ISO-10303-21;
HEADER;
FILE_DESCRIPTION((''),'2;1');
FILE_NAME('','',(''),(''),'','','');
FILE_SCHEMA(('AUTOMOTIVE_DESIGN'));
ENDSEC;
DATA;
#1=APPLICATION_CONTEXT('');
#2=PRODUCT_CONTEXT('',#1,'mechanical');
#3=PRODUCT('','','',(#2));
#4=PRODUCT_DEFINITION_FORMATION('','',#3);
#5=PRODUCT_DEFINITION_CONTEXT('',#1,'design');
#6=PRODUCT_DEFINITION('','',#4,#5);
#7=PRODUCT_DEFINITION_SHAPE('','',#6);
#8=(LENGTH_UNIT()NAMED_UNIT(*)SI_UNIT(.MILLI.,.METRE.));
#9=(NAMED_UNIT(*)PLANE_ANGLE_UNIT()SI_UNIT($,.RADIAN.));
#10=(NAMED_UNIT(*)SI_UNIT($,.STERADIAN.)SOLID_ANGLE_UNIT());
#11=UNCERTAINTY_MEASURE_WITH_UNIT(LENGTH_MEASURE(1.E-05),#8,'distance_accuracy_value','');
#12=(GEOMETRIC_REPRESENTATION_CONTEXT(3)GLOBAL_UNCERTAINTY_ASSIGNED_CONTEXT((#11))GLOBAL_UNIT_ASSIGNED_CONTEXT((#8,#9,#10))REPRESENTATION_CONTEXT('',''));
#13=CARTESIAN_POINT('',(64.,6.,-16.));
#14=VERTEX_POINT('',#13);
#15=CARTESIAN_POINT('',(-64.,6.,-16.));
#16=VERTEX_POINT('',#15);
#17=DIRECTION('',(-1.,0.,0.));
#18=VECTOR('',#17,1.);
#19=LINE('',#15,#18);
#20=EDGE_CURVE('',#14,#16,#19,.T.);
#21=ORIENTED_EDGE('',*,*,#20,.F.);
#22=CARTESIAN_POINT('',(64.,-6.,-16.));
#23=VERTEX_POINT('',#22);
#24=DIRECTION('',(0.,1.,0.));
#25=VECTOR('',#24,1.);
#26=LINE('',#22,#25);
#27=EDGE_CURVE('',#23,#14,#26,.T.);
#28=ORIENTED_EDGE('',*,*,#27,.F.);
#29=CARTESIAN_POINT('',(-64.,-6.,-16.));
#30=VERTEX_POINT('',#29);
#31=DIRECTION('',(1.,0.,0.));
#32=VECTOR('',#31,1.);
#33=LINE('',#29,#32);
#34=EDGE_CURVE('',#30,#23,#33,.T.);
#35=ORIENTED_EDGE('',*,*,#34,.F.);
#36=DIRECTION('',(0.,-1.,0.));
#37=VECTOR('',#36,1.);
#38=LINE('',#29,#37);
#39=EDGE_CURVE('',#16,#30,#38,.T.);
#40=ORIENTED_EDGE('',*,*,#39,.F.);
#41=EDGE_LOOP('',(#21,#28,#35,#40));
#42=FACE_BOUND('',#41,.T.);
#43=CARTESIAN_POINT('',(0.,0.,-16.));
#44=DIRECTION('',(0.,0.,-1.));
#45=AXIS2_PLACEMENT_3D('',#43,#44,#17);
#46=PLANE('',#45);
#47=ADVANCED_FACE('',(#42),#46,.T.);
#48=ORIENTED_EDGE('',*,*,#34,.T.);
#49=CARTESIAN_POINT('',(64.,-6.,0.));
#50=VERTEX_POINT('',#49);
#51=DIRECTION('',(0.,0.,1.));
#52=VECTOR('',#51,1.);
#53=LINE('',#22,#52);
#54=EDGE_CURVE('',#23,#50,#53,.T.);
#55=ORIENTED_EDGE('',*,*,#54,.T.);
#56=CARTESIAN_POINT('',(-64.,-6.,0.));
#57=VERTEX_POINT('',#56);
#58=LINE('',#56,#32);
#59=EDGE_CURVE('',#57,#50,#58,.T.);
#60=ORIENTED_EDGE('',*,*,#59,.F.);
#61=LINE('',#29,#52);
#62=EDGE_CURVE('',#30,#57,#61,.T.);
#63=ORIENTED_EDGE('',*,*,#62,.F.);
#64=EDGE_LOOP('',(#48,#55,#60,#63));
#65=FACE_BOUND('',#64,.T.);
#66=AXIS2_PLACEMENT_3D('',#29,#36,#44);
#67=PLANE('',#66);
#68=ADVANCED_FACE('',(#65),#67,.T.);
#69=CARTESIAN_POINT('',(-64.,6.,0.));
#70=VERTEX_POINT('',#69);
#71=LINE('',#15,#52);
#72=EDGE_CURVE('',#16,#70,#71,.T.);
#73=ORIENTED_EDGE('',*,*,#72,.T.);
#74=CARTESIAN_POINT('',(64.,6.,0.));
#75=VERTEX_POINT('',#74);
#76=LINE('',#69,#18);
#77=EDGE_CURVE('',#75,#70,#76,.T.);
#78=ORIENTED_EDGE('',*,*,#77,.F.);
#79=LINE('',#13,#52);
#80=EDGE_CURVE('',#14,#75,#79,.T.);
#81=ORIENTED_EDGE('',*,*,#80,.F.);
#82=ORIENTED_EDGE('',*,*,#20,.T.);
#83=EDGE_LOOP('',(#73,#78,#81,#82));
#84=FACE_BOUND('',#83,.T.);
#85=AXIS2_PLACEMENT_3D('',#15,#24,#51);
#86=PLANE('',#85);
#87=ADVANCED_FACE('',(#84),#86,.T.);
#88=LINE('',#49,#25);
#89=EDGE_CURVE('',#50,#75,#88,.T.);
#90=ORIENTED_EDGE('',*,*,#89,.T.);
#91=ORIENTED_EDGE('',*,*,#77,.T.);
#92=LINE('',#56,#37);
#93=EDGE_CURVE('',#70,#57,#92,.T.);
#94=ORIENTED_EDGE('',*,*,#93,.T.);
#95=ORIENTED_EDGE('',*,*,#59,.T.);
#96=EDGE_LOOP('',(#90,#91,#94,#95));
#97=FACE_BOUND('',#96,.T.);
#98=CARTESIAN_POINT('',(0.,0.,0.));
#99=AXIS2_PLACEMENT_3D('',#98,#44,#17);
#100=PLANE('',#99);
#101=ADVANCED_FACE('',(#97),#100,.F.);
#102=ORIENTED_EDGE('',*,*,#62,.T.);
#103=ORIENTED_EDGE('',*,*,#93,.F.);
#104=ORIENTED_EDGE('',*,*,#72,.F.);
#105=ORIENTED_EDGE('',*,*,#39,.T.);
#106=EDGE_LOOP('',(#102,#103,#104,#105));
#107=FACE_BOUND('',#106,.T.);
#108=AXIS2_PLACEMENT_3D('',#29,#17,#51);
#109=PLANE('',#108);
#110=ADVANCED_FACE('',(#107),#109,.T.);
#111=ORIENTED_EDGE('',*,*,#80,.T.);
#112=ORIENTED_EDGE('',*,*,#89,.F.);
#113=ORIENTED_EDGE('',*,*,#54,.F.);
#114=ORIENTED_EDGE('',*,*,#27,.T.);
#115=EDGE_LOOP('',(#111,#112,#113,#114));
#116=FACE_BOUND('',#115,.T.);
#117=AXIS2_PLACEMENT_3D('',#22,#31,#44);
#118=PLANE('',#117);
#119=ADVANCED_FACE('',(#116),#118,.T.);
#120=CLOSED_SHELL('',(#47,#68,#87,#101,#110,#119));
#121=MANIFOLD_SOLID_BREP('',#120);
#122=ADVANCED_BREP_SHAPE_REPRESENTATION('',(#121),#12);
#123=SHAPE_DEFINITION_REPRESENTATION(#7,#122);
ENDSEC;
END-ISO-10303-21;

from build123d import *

# Parameters (mm, degrees)
SKETCH_1_W      = 128
SKETCH_1_H      = 12
EXTRUDE_1_DEPTH = 16


with BuildPart() as part:
    # 草图1 → 凸台-拉伸1 (new body)
    with BuildSketch(Plane.XY):
        Rectangle(SKETCH_1_W, SKETCH_1_H)
    extrude(amount=-EXTRUDE_1_DEPTH)


solid = part.part
